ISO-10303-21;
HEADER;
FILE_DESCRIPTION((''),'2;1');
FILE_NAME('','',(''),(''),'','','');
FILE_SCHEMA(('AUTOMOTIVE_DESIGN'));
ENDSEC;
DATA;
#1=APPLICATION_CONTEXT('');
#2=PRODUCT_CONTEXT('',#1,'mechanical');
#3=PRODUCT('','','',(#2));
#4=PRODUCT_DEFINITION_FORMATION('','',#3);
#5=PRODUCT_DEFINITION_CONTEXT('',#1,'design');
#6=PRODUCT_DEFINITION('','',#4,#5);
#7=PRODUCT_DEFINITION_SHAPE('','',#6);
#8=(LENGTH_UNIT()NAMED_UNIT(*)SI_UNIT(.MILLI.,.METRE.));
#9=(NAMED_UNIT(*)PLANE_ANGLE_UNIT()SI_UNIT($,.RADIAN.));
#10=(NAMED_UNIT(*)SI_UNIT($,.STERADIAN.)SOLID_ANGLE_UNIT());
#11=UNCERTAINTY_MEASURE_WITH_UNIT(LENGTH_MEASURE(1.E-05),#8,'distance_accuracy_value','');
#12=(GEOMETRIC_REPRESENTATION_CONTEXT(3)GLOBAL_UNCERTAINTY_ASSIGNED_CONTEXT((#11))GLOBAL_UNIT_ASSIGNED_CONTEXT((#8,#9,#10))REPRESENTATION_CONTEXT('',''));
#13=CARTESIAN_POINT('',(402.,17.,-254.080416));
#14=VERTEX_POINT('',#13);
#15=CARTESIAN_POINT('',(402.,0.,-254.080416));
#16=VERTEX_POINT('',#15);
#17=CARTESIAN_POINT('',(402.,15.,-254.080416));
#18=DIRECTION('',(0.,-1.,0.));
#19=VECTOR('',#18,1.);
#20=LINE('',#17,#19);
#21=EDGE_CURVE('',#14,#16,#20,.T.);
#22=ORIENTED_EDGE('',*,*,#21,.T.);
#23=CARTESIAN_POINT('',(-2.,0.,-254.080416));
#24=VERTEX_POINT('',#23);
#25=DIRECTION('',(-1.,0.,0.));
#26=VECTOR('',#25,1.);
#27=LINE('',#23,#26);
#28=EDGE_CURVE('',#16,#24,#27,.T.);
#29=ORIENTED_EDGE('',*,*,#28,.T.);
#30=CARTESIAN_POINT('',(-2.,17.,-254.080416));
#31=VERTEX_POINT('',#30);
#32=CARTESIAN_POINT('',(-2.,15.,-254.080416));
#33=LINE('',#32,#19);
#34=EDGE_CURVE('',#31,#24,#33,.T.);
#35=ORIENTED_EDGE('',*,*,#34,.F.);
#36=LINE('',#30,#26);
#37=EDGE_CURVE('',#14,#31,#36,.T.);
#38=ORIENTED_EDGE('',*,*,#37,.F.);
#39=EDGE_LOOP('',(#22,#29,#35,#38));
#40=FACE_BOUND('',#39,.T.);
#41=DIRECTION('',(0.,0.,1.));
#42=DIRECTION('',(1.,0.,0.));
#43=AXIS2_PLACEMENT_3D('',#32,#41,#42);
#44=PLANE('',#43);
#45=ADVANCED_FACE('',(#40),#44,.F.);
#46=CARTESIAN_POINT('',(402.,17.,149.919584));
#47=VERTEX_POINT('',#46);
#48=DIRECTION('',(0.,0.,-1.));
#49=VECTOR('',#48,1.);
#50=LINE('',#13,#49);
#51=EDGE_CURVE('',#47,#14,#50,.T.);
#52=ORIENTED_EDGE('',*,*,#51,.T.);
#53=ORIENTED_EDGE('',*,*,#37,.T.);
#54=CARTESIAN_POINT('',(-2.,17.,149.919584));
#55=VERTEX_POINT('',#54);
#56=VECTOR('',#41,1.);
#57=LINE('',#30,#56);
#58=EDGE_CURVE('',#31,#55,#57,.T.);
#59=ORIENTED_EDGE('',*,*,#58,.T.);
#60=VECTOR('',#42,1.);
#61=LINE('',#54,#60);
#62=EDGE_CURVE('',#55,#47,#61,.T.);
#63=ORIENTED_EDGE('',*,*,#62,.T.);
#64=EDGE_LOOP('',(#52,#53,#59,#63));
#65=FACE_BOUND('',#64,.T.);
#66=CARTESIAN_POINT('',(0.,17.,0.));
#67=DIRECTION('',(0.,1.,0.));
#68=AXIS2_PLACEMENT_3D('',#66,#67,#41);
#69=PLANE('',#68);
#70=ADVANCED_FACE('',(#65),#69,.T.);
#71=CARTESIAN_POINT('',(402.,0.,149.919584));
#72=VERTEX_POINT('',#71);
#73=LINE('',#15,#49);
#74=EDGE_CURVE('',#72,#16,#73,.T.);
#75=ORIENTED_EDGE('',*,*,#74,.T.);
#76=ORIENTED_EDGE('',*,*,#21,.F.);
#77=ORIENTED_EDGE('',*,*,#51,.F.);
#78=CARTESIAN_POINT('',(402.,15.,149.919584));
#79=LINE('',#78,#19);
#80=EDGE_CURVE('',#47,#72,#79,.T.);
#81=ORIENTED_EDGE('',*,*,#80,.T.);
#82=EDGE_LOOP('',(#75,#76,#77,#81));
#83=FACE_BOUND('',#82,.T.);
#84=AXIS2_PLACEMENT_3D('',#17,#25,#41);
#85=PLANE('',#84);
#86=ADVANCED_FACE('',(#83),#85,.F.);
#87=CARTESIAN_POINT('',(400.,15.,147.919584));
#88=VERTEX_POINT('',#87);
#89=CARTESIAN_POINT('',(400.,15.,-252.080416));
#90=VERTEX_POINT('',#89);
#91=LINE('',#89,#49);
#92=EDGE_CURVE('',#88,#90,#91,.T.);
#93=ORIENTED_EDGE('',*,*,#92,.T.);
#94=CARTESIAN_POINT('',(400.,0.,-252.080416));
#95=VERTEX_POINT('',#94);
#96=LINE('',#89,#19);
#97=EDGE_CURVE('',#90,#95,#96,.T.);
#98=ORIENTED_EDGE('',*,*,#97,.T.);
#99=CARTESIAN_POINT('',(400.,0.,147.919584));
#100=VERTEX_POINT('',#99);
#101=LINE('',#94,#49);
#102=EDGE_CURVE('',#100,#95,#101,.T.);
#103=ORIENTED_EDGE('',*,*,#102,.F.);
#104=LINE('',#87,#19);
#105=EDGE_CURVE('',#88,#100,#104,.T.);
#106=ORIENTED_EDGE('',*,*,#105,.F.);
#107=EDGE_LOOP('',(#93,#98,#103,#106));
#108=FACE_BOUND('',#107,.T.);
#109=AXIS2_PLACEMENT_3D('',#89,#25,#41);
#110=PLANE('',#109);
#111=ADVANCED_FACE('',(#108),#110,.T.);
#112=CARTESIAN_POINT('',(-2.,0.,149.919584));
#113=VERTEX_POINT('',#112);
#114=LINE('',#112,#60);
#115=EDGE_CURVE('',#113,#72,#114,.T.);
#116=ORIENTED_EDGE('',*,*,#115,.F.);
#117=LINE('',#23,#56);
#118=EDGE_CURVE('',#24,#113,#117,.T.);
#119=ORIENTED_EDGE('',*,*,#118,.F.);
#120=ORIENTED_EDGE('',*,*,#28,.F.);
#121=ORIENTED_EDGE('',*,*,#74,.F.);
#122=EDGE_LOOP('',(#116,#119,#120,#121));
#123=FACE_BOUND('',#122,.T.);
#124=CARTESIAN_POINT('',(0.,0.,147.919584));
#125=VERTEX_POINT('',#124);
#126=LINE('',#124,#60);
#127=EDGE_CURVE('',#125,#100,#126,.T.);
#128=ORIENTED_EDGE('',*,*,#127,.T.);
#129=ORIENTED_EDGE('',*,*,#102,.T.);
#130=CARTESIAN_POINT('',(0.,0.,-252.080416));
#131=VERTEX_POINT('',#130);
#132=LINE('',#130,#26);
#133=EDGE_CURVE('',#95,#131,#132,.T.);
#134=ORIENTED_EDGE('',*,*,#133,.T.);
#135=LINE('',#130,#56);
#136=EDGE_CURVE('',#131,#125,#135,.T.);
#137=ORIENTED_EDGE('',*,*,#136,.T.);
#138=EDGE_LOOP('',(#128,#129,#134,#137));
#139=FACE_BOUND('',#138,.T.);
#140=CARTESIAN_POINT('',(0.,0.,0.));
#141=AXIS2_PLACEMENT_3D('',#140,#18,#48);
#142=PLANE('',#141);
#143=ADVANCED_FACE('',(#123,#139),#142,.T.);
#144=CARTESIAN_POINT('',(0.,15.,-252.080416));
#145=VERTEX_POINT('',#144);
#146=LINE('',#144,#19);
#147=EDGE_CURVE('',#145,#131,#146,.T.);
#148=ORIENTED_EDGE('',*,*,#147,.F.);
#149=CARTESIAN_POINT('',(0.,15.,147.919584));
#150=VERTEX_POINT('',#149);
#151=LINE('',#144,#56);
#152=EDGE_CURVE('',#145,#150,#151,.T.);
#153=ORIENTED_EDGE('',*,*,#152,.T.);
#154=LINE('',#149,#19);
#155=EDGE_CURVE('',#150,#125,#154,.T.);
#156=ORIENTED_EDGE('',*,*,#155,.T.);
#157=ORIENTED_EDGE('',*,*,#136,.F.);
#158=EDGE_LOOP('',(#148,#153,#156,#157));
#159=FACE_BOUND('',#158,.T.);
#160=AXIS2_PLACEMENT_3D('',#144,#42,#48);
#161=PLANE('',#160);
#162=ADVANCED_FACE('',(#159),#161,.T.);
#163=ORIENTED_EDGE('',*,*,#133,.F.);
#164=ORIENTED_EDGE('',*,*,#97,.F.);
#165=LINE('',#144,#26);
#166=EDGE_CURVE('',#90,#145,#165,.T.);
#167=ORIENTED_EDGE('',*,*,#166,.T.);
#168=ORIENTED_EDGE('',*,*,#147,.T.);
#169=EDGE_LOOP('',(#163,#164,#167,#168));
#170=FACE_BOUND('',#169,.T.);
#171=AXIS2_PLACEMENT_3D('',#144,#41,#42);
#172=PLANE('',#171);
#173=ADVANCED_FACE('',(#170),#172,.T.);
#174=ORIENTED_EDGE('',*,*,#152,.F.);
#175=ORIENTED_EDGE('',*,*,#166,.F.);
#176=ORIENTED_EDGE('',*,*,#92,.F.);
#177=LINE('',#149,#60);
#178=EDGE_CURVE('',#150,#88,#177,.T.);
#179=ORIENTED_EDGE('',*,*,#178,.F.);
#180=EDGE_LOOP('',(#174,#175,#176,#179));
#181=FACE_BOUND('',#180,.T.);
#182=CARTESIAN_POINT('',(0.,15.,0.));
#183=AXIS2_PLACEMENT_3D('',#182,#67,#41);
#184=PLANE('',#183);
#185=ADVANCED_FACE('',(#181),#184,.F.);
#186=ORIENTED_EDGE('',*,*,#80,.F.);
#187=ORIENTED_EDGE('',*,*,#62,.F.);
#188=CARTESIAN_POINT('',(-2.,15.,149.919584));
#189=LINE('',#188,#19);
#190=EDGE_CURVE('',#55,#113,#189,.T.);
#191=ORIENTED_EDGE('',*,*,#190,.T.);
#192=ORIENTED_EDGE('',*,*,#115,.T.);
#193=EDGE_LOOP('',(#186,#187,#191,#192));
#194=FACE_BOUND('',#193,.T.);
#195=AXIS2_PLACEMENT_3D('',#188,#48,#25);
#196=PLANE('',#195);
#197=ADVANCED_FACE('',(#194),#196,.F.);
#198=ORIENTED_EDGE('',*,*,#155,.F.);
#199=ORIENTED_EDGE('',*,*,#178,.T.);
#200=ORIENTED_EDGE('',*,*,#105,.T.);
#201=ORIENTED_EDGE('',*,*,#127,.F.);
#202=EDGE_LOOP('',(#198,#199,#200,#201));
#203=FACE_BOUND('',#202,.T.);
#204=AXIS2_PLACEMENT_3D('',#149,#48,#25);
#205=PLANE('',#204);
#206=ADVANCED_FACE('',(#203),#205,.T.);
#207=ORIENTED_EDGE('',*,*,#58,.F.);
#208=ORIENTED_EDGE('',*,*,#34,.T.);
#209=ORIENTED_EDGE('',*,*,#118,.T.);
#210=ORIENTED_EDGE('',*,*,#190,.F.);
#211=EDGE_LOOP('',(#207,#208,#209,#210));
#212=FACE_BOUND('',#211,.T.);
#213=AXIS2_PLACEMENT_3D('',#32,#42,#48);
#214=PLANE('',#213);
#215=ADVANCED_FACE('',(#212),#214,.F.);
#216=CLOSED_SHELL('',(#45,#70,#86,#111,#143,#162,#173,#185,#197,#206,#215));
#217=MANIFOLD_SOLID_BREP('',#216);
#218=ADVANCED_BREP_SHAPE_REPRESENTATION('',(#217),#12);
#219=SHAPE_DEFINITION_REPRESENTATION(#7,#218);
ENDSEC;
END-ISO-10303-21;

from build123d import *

# Parameters (mm, degrees)
SKETCH1_W           = 404
SKETCH1_H           = 404
SKETCH1_W_2         = 400
SKETCH1_H_2         = 400
BOSS_EXTRUDE1_DEPTH = 15
SKETCH3_W           = 404
SKETCH3_H           = 404
BOSS_EXTRUDE2_DEPTH = 2


with BuildPart() as part:
    # Sketch1 → Boss-Extrude1 (new body)
    with BuildSketch(Plane(origin=(0, 0, 0), x_dir=(1, 0, 0), z_dir=(0, 1, 0))):
        with Locations((200, 52.080415622)):
            Rectangle(SKETCH1_W, SKETCH1_H)
        with Locations((200, 52.080415622)):
            Rectangle(SKETCH1_W_2, SKETCH1_H_2, mode=Mode.SUBTRACT)
    extrude(amount=BOSS_EXTRUDE1_DEPTH)

    # Sketch3 → Boss-Extrude2 (add)
    with BuildSketch(Plane(origin=(0, 15, 0), x_dir=(1, 0, 0), z_dir=(0, 1, 0))):
        with Locations((200, 52.080415622)):
            Rectangle(SKETCH3_W, SKETCH3_H)
    extrude(amount=BOSS_EXTRUDE2_DEPTH)


solid = part.part
